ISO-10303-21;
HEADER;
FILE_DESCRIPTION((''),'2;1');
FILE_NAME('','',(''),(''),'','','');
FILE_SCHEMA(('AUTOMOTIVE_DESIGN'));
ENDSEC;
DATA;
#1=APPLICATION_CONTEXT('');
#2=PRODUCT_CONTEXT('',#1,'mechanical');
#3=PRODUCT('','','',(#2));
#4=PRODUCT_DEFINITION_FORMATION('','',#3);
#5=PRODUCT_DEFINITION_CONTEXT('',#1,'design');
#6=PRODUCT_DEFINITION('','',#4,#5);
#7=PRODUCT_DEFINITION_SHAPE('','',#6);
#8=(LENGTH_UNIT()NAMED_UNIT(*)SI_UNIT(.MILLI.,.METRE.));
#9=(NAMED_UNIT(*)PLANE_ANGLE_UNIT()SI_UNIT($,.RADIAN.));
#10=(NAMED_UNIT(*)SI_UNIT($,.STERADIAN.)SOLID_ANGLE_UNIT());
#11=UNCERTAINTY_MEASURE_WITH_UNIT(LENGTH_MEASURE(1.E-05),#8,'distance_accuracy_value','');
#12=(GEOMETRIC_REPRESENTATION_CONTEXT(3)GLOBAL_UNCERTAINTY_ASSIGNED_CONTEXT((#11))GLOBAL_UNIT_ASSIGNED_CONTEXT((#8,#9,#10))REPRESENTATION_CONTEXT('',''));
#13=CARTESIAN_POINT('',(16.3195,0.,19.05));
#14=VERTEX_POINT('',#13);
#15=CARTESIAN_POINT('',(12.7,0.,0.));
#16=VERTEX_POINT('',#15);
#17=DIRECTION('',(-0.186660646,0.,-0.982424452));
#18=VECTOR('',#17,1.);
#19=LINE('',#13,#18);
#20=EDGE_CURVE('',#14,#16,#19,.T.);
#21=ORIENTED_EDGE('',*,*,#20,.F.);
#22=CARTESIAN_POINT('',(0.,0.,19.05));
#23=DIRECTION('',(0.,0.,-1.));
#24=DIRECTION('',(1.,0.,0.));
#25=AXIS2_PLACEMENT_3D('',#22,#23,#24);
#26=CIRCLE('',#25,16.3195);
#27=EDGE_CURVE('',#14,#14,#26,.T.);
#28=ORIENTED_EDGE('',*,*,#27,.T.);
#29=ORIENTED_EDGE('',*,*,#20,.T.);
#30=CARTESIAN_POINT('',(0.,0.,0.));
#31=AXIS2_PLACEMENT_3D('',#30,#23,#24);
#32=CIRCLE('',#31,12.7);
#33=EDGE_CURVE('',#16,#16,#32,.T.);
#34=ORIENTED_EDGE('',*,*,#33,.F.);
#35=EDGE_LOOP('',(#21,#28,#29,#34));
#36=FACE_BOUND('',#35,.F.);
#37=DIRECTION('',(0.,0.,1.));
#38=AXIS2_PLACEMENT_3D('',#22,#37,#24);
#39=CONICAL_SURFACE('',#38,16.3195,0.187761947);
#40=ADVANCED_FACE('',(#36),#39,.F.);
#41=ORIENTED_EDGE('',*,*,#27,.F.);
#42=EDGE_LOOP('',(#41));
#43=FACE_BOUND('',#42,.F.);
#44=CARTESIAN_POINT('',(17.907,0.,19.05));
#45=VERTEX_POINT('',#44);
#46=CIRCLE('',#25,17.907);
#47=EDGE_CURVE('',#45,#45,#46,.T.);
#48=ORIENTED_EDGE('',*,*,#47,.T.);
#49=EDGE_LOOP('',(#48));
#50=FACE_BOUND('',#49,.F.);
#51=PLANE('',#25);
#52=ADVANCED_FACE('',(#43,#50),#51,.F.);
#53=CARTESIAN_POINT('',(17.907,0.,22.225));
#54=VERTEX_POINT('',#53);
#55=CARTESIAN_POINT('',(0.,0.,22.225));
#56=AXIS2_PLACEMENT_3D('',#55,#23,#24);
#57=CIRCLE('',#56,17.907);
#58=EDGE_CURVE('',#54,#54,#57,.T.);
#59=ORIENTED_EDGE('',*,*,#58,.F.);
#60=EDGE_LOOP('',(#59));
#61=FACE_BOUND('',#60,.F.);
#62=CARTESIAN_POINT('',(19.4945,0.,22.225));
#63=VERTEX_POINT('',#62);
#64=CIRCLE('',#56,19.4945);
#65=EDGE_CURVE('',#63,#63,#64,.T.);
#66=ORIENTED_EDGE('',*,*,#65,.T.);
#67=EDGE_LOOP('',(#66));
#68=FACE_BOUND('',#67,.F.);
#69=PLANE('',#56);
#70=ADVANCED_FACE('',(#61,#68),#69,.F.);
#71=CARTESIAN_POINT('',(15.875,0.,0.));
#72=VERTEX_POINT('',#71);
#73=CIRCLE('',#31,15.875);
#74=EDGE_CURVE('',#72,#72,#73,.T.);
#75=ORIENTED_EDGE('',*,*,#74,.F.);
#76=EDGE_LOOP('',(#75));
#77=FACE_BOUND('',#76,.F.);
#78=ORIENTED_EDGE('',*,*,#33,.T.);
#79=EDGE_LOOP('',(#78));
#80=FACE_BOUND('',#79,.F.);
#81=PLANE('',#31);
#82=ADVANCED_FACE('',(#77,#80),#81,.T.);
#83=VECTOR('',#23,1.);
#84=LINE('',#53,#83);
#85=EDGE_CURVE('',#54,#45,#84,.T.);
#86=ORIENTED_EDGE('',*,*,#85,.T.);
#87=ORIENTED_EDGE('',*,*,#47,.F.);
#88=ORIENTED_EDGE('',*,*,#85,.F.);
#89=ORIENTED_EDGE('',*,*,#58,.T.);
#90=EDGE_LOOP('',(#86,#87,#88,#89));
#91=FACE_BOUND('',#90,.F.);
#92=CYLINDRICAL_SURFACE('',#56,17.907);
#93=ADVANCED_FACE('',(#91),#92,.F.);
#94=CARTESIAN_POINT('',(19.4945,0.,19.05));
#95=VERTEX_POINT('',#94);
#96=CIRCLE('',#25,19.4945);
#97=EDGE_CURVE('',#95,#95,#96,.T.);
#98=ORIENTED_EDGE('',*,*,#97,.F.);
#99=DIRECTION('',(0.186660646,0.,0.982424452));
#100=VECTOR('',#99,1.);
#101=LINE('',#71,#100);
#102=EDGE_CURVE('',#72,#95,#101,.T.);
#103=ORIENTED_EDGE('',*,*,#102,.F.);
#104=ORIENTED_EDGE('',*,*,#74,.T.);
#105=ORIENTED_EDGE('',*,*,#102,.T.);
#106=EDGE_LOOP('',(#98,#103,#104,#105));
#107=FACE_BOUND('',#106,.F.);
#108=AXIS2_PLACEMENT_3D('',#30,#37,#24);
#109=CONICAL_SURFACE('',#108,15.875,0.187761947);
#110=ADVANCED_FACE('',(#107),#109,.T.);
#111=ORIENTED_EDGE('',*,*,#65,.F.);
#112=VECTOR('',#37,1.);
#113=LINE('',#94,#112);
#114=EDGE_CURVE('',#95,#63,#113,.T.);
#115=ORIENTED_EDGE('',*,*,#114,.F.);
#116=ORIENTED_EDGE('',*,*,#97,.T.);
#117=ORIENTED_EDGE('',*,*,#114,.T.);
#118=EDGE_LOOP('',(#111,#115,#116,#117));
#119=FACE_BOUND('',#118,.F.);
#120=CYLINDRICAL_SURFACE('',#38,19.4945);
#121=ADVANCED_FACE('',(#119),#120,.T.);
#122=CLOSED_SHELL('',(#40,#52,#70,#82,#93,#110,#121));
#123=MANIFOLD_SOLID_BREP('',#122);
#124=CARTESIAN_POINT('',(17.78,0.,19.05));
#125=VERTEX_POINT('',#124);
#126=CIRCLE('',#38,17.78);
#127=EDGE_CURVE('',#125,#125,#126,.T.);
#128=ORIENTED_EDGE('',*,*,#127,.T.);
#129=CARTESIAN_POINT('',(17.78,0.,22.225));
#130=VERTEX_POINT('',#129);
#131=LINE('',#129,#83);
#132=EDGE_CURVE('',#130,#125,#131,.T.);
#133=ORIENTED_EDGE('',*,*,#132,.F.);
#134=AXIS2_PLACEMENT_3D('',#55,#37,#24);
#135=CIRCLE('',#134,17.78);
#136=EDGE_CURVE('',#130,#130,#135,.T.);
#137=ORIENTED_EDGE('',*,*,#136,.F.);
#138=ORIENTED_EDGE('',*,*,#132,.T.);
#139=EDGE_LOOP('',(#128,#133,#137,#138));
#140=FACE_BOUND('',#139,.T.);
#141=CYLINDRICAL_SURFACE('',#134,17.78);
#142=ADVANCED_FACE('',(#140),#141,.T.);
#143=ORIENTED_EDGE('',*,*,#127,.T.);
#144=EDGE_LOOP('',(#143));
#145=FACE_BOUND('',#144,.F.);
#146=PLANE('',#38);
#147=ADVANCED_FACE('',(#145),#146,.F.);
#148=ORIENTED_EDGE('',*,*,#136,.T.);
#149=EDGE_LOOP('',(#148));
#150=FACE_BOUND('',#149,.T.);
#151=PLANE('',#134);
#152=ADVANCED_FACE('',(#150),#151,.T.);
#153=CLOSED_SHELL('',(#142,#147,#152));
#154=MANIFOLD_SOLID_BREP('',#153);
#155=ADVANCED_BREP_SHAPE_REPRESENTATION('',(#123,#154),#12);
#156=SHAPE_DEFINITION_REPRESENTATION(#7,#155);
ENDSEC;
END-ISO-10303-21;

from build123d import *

# Parameters (mm, degrees)
F2_R     = 17.78
F3_DEPTH = 3.175


with BuildPart() as f1:
    # F0 (on Front) → F1 (revolve)
    with BuildSketch(Plane.XZ):
        Polygon((16.3195, 19.05), (12.7, 0), (15.875, 0), (19.4945, 19.05), (19.4945, 22.225), (17.907, 22.225), (17.907, 19.05), align=None)
    revolve(axis=Axis((0, 0, 21.704956), (0, 0, -1)))


with BuildPart() as f3:
    # F2 (on face) → F3 (new body, through all)
    with BuildSketch(Plane.XY.offset(22.225)):
        Circle(F2_R)
    extrude(amount=-F3_DEPTH)


solid = Compound([f1.part, f3.part])
